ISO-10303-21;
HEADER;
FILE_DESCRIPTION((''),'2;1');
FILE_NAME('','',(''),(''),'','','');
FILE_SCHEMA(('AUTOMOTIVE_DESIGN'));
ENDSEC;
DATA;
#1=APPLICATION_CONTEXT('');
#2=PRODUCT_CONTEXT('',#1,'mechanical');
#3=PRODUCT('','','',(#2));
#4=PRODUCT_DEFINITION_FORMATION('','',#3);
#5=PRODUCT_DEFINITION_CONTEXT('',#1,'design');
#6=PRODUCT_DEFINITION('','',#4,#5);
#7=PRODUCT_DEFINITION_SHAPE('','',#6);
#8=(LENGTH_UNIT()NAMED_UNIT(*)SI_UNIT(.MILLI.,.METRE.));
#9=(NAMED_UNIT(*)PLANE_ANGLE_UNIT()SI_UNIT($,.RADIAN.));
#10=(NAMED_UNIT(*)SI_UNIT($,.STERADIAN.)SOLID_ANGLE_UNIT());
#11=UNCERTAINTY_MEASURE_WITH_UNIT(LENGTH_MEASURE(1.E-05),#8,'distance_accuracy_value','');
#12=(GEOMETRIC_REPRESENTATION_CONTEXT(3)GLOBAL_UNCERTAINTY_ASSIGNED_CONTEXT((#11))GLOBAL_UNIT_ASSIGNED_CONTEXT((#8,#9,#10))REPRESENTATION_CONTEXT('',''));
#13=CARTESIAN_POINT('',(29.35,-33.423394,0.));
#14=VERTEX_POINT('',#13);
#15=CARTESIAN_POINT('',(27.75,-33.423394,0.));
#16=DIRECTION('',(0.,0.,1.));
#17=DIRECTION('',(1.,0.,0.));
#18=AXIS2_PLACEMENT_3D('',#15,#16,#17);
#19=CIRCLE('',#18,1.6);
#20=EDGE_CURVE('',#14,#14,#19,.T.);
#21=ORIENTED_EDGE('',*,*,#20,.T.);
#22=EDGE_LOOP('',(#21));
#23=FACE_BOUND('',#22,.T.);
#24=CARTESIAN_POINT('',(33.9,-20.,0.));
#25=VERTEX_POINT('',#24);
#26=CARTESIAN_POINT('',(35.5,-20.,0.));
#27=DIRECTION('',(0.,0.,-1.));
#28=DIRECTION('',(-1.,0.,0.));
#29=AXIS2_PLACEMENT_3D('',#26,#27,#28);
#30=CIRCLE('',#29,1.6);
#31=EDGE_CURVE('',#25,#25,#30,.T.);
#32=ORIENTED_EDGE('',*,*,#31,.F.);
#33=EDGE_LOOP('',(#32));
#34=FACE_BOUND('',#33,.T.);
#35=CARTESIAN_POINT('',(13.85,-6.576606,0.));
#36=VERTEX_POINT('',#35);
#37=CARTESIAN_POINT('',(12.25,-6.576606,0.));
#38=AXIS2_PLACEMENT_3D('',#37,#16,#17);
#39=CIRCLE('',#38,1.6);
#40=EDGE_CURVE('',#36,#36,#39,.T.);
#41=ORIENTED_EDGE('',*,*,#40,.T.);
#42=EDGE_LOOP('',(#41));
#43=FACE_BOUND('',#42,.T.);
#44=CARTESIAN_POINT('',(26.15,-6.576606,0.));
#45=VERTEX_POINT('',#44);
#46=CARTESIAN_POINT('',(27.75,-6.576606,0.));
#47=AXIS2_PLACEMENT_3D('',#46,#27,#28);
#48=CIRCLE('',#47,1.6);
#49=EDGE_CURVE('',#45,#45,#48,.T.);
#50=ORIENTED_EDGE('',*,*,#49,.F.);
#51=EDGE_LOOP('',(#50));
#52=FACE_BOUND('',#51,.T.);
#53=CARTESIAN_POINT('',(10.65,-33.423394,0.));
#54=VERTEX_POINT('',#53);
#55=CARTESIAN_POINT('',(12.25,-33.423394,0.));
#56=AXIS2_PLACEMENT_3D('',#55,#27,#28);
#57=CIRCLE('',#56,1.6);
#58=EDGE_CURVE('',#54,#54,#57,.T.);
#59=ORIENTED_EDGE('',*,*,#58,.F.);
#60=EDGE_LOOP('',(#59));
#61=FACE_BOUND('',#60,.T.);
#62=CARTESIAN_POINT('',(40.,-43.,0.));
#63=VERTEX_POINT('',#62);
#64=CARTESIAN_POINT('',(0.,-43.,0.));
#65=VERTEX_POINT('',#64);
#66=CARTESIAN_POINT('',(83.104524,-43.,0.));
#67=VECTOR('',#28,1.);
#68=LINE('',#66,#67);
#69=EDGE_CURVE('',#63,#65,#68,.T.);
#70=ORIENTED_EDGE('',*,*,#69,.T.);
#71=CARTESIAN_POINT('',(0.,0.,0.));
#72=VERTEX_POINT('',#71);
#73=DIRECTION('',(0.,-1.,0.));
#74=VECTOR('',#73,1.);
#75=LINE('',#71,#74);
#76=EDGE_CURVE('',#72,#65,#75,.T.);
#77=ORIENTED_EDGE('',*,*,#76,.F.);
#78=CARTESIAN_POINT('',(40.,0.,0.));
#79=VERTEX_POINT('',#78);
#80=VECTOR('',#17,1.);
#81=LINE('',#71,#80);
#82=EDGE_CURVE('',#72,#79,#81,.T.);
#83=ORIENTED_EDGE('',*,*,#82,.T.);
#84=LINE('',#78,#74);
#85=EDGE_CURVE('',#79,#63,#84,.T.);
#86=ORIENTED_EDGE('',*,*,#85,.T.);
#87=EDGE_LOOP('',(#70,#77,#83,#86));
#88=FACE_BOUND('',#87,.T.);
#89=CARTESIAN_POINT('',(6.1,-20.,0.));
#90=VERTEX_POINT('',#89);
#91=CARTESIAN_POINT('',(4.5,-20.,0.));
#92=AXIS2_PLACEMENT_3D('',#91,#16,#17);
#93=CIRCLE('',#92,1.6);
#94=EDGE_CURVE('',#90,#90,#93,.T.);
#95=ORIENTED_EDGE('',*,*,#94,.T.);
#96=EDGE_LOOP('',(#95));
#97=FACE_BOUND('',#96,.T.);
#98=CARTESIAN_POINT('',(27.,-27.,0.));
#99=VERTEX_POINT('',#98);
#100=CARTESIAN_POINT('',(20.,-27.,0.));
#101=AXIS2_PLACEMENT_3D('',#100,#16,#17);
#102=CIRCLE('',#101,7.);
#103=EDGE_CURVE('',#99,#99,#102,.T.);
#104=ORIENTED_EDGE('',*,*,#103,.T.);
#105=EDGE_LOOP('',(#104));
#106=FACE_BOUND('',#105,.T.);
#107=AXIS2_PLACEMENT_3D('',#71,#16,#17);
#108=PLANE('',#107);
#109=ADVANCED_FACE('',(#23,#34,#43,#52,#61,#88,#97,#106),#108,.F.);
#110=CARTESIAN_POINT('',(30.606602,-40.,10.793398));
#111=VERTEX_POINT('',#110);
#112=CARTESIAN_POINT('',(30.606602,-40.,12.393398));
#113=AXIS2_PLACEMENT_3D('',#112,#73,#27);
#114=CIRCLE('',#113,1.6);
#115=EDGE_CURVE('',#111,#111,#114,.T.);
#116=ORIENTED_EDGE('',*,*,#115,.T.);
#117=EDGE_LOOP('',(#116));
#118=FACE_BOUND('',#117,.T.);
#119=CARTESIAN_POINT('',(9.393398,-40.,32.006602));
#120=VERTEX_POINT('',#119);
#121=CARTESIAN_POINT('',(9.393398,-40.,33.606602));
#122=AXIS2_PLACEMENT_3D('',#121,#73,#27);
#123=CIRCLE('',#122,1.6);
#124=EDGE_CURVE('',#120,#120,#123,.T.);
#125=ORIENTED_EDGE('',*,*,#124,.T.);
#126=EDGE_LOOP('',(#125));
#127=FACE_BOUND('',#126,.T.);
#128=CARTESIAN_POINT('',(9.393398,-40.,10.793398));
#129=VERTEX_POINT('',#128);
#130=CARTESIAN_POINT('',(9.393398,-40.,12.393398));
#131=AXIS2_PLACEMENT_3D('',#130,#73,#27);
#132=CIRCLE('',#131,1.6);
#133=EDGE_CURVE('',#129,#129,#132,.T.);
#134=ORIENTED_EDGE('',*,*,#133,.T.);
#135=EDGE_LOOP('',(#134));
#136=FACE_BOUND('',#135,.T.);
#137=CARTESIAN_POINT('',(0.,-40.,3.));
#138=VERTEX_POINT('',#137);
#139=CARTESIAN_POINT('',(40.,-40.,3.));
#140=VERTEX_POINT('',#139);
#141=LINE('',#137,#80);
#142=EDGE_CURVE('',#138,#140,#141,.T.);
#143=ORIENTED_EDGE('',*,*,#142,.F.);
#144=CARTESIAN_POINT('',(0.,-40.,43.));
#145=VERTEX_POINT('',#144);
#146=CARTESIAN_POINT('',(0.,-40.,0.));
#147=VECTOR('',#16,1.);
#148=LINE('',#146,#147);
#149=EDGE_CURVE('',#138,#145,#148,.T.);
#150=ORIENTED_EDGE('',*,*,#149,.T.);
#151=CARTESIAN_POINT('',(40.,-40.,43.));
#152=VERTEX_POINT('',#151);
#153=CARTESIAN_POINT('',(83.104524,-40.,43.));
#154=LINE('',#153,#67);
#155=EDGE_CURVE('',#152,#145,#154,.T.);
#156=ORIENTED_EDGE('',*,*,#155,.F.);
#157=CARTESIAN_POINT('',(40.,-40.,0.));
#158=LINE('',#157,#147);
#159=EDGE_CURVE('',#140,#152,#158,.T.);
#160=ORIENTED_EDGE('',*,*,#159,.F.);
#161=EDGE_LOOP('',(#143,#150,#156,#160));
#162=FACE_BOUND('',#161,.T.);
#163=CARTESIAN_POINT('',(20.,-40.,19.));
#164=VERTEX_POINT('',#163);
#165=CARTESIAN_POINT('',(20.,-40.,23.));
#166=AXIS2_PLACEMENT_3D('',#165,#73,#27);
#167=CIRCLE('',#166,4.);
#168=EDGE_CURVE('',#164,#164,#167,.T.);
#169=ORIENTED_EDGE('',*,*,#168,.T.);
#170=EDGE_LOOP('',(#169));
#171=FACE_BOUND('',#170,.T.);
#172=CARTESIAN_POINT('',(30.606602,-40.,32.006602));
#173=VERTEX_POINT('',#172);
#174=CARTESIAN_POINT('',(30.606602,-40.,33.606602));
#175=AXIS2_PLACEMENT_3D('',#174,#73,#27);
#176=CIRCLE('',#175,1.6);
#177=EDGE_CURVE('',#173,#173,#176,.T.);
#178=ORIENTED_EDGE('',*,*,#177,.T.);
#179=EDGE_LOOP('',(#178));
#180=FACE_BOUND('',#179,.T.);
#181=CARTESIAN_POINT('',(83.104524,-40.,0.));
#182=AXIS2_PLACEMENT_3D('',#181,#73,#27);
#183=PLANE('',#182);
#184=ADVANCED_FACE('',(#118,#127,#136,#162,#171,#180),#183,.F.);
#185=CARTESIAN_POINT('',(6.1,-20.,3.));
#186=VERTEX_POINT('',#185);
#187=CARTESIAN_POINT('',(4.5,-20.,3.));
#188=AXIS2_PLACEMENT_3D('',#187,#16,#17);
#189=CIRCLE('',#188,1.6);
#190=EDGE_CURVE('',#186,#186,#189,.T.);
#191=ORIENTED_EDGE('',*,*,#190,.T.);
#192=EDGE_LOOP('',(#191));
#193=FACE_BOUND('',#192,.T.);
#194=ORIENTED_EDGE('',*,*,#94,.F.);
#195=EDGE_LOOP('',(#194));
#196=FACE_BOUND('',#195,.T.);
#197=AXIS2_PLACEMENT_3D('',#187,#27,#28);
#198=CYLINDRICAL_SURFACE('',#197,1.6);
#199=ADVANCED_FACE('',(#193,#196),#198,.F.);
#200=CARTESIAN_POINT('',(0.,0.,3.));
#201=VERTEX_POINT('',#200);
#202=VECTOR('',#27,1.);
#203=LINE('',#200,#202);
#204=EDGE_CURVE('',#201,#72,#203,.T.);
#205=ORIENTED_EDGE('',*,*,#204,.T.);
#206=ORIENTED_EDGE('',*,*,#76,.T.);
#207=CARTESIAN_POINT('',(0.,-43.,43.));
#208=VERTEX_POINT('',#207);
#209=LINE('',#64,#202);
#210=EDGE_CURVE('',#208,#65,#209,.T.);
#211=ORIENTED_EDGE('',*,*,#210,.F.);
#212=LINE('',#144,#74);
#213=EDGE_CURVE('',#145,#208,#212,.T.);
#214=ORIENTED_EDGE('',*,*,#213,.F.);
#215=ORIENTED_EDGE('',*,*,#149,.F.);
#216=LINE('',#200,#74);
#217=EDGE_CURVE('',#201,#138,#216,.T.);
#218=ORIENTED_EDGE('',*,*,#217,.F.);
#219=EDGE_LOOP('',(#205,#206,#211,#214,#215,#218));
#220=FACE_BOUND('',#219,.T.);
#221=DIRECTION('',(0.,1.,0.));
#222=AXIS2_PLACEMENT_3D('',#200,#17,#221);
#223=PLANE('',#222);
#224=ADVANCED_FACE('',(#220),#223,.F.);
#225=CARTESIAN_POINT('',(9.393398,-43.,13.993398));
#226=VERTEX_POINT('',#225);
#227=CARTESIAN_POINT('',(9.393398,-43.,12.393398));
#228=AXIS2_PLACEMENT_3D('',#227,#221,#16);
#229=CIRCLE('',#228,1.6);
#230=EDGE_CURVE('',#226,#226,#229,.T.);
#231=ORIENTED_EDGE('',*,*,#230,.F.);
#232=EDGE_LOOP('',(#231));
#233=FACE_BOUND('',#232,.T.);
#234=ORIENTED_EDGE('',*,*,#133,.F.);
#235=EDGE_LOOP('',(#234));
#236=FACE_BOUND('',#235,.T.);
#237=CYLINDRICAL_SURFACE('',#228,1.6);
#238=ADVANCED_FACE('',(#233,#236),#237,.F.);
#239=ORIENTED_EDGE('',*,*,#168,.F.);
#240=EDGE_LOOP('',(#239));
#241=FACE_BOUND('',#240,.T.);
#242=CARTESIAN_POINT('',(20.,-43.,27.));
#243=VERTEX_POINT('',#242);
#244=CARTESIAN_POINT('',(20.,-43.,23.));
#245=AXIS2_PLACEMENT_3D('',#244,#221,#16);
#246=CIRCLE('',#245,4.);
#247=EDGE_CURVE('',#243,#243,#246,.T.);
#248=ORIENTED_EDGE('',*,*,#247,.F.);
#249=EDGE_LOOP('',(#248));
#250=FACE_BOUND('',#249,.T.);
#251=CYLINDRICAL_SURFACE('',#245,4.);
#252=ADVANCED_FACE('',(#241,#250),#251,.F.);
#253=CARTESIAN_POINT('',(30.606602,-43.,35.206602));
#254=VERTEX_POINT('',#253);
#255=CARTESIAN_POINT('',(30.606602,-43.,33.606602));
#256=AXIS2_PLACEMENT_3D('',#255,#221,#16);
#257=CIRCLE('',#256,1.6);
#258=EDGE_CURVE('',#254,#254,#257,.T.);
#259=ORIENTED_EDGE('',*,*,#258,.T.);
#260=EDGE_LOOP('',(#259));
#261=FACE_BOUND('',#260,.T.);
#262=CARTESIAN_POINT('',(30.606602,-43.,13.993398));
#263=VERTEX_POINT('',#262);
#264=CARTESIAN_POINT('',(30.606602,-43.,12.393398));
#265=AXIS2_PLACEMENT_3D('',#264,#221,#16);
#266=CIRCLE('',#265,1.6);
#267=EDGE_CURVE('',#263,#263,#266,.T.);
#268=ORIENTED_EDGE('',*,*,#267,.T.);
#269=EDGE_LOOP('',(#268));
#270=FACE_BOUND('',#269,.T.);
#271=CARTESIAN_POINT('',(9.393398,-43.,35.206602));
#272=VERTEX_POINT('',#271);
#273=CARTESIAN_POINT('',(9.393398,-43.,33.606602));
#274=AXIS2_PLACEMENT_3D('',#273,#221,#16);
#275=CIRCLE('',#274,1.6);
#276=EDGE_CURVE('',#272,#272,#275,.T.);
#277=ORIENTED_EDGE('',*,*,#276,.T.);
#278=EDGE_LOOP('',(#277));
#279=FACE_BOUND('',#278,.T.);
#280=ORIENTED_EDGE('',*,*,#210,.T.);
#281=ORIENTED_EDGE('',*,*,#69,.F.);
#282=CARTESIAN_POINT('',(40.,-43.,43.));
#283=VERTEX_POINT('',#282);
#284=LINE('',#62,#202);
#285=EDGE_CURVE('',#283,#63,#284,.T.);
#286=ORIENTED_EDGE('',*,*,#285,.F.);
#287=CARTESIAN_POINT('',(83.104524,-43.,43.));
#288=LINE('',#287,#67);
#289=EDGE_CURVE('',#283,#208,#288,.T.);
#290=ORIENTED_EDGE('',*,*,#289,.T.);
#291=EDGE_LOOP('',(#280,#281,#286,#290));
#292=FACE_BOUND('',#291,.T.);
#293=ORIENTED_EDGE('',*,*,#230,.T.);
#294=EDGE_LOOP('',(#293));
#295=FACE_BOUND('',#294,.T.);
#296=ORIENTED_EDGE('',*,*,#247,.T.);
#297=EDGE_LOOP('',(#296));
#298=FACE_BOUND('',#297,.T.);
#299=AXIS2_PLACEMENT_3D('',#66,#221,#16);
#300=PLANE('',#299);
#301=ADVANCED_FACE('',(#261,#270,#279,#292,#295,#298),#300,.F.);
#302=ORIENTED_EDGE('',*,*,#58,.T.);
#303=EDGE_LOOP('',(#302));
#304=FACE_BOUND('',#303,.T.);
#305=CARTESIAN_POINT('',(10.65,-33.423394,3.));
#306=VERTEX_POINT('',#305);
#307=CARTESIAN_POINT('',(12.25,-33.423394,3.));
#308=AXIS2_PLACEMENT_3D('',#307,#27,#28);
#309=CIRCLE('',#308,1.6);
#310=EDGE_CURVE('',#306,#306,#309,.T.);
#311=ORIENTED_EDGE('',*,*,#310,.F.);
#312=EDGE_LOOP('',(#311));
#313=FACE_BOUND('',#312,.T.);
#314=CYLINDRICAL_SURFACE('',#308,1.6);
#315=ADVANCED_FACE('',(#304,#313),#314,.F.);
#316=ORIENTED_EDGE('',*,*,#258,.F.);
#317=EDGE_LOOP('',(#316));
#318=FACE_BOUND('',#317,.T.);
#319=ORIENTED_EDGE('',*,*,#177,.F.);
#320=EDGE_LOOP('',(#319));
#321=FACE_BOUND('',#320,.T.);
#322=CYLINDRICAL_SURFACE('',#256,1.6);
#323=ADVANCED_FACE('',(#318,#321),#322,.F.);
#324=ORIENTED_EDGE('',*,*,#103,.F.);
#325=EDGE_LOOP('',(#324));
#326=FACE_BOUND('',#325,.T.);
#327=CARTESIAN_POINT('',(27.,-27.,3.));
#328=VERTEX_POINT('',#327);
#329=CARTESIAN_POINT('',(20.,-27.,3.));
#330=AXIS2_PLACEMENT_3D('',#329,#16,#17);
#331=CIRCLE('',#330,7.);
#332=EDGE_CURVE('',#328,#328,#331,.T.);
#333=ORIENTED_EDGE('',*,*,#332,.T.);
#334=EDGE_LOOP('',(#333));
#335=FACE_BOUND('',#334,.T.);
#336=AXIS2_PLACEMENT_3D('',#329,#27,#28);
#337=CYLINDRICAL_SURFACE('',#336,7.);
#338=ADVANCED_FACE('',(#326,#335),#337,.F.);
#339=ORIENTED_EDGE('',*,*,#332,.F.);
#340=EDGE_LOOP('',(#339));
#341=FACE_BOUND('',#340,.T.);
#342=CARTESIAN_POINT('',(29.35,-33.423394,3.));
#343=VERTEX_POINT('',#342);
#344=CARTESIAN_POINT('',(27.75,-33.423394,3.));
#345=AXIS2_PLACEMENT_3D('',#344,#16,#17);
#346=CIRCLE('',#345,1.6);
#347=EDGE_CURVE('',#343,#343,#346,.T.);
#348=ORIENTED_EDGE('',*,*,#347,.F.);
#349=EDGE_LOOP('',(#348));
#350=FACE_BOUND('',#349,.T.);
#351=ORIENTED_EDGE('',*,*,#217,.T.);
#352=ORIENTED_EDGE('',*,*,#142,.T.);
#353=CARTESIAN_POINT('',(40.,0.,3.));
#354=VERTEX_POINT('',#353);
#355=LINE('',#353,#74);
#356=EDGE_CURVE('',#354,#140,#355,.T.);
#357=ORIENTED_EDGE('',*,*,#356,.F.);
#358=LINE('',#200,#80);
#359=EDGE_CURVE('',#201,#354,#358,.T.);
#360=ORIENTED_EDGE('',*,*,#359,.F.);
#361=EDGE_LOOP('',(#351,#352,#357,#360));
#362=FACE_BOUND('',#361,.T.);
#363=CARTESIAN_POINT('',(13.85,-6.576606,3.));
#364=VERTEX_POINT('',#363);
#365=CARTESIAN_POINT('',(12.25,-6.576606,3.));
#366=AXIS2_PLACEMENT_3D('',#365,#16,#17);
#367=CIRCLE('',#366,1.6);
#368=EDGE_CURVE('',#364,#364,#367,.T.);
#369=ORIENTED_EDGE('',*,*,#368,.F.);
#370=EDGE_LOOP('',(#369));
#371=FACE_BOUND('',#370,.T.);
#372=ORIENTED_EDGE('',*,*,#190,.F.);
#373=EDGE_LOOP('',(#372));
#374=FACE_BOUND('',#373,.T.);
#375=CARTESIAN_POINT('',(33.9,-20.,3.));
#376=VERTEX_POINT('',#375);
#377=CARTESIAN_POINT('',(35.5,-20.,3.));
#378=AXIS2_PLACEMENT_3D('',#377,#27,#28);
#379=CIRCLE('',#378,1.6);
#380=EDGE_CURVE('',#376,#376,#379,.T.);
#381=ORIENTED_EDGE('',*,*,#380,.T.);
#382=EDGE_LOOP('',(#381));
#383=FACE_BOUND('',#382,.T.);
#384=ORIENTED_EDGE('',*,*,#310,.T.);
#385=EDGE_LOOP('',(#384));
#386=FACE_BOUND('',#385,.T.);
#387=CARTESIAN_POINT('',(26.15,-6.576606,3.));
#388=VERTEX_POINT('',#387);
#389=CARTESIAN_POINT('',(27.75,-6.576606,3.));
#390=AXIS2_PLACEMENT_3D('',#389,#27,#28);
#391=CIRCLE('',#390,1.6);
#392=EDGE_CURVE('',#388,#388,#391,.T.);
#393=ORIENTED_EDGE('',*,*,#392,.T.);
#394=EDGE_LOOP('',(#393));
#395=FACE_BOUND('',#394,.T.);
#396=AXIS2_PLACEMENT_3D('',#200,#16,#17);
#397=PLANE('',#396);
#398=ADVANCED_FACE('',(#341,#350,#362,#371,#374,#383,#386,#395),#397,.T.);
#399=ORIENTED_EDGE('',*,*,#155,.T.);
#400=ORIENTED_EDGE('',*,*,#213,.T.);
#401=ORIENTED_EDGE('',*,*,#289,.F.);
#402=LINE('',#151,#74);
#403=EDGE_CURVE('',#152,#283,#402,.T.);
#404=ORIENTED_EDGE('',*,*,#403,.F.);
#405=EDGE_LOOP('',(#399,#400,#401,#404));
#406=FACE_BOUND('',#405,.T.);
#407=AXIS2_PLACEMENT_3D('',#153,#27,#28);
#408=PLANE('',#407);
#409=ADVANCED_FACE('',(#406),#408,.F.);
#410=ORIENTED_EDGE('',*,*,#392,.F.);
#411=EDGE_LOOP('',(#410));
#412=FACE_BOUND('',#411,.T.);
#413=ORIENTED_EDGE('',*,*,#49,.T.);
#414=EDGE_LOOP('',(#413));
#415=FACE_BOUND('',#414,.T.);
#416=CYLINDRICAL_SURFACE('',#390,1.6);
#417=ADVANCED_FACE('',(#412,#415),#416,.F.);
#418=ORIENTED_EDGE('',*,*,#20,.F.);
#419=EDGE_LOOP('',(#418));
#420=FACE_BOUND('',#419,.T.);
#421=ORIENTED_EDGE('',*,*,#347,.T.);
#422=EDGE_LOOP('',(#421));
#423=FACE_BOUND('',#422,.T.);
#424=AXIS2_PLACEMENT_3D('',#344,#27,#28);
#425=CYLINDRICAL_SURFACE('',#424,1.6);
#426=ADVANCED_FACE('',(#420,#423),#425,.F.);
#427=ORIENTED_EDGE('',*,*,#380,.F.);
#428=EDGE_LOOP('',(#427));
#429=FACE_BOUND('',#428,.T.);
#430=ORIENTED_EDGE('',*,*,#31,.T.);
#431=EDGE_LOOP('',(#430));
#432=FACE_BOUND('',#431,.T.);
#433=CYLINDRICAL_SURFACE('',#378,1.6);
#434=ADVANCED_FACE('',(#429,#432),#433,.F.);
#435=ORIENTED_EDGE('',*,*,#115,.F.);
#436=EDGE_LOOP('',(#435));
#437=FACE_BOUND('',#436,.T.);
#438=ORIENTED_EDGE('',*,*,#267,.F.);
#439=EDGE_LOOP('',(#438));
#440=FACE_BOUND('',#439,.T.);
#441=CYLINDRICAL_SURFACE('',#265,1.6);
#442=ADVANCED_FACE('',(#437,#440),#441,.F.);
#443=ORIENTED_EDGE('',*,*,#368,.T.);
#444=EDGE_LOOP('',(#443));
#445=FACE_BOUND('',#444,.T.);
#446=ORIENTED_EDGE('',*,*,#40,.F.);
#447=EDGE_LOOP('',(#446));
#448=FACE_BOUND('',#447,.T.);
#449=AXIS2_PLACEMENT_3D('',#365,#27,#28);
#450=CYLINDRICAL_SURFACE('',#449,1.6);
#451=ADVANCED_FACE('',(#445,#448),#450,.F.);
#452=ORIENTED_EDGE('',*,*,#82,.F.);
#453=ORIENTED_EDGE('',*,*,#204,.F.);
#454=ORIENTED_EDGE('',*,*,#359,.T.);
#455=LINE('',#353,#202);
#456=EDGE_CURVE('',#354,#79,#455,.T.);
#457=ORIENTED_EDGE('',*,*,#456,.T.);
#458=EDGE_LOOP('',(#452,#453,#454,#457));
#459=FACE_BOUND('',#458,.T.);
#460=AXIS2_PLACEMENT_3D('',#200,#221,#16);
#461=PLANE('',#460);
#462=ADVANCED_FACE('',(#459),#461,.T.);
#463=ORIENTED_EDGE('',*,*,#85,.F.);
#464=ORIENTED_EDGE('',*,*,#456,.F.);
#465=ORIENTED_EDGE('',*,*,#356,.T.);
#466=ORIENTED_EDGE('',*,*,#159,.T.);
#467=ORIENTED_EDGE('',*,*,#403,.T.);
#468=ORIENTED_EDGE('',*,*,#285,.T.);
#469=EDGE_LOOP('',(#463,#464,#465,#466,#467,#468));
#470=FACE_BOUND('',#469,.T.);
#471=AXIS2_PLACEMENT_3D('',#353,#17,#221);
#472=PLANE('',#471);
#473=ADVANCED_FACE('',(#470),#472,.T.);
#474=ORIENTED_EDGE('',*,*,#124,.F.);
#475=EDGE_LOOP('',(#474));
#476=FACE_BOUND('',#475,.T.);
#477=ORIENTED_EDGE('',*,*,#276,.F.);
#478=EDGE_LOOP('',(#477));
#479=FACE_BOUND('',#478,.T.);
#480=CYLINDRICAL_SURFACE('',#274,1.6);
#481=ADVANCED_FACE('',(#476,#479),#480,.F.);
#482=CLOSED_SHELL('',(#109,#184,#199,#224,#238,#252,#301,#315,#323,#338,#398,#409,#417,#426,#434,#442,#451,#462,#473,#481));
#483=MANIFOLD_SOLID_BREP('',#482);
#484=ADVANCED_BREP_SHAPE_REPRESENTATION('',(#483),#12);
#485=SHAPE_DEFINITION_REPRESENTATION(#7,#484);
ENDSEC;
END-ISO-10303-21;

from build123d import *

# Parameters (mm, degrees)
SKETCH2_W               = 40
SKETCH2_H               = 40
SKETCH2_R               = 1.6
SKETCH2_R_2             = 7
BOSS_EXTRUDE1_DEPTH     = 3
SKETCH3_W               = 43
SKETCH3_H               = 3
BOSS_EXTRUDE2_DEPTH     = 40
CUT_EXTRUDE1_DEPTH      = 72.056315694
CUT_EXTRUDE1_DEPTH_BACK = 72.056315694
SKETCH4_R               = 1.6
SKETCH4_R_2             = 4


with BuildPart() as part:
    # Sketch2 → Boss-Extrude1 (new body)
    with BuildSketch(Plane.XY):
        with Locations((20, -20)):
            Rectangle(SKETCH2_W, SKETCH2_H)
        with Locations((4.5, -20)):
            Circle(SKETCH2_R, mode=Mode.SUBTRACT)
        with Locations(Location((35.5, -20, 0), (0, 0, 180))):
            Circle(SKETCH2_R, mode=Mode.SUBTRACT)
        with Locations((12.25, -6.576606241)):
            Circle(SKETCH2_R, mode=Mode.SUBTRACT)
        with Locations(Location((27.75, -6.576606241, 0), (0, 0, 180))):
            Circle(SKETCH2_R, mode=Mode.SUBTRACT)
        with Locations((27.75, -33.423393759)):
            Circle(SKETCH2_R, mode=Mode.SUBTRACT)
        with Locations(Location((12.25, -33.423393759, 0), (0, 0, 180))):
            Circle(SKETCH2_R, mode=Mode.SUBTRACT)
        with Locations((20, -27)):
            Circle(SKETCH2_R_2, mode=Mode.SUBTRACT)
    extrude(amount=BOSS_EXTRUDE1_DEPTH)

    # Sketch3 → Boss-Extrude2 (add)
    with BuildSketch(Plane(origin=(0, 0, 0), x_dir=(0, 0, -1), z_dir=(1, 0, 0))):
        with Locations((-21.5, -41.5)):
            Rectangle(SKETCH3_W, SKETCH3_H)
    extrude(amount=BOSS_EXTRUDE2_DEPTH)

    # Sketch4 → Cut-Extrude1 (cut, two sides: drawn at the far end of the back side and taken through both)
    with BuildSketch(Plane(origin=(0, -40, 0), x_dir=(1, 0, 0), z_dir=(0, 1, 0)).offset(-CUT_EXTRUDE1_DEPTH_BACK)):
        with Locations(Location((9.393398282, -33.606601718, 0), (0, 0, 270))):
            Circle(SKETCH4_R)
        with Locations(Location((20, -23, 0), (0, 0, 270))):
            Circle(SKETCH4_R_2)
        with Locations(Location((9.393398282, -12.393398282, 0), (0, 0, 270))):
            Circle(SKETCH4_R)
        with Locations(Location((30.606601718, -12.393398282, 0), (0, 0, 270))):
            Circle(SKETCH4_R)
        with Locations(Location((30.606601718, -33.606601718, 0), (0, 0, 270))):
            Circle(SKETCH4_R)
    extrude(amount=CUT_EXTRUDE1_DEPTH + CUT_EXTRUDE1_DEPTH_BACK, mode=Mode.SUBTRACT)


solid = part.part
